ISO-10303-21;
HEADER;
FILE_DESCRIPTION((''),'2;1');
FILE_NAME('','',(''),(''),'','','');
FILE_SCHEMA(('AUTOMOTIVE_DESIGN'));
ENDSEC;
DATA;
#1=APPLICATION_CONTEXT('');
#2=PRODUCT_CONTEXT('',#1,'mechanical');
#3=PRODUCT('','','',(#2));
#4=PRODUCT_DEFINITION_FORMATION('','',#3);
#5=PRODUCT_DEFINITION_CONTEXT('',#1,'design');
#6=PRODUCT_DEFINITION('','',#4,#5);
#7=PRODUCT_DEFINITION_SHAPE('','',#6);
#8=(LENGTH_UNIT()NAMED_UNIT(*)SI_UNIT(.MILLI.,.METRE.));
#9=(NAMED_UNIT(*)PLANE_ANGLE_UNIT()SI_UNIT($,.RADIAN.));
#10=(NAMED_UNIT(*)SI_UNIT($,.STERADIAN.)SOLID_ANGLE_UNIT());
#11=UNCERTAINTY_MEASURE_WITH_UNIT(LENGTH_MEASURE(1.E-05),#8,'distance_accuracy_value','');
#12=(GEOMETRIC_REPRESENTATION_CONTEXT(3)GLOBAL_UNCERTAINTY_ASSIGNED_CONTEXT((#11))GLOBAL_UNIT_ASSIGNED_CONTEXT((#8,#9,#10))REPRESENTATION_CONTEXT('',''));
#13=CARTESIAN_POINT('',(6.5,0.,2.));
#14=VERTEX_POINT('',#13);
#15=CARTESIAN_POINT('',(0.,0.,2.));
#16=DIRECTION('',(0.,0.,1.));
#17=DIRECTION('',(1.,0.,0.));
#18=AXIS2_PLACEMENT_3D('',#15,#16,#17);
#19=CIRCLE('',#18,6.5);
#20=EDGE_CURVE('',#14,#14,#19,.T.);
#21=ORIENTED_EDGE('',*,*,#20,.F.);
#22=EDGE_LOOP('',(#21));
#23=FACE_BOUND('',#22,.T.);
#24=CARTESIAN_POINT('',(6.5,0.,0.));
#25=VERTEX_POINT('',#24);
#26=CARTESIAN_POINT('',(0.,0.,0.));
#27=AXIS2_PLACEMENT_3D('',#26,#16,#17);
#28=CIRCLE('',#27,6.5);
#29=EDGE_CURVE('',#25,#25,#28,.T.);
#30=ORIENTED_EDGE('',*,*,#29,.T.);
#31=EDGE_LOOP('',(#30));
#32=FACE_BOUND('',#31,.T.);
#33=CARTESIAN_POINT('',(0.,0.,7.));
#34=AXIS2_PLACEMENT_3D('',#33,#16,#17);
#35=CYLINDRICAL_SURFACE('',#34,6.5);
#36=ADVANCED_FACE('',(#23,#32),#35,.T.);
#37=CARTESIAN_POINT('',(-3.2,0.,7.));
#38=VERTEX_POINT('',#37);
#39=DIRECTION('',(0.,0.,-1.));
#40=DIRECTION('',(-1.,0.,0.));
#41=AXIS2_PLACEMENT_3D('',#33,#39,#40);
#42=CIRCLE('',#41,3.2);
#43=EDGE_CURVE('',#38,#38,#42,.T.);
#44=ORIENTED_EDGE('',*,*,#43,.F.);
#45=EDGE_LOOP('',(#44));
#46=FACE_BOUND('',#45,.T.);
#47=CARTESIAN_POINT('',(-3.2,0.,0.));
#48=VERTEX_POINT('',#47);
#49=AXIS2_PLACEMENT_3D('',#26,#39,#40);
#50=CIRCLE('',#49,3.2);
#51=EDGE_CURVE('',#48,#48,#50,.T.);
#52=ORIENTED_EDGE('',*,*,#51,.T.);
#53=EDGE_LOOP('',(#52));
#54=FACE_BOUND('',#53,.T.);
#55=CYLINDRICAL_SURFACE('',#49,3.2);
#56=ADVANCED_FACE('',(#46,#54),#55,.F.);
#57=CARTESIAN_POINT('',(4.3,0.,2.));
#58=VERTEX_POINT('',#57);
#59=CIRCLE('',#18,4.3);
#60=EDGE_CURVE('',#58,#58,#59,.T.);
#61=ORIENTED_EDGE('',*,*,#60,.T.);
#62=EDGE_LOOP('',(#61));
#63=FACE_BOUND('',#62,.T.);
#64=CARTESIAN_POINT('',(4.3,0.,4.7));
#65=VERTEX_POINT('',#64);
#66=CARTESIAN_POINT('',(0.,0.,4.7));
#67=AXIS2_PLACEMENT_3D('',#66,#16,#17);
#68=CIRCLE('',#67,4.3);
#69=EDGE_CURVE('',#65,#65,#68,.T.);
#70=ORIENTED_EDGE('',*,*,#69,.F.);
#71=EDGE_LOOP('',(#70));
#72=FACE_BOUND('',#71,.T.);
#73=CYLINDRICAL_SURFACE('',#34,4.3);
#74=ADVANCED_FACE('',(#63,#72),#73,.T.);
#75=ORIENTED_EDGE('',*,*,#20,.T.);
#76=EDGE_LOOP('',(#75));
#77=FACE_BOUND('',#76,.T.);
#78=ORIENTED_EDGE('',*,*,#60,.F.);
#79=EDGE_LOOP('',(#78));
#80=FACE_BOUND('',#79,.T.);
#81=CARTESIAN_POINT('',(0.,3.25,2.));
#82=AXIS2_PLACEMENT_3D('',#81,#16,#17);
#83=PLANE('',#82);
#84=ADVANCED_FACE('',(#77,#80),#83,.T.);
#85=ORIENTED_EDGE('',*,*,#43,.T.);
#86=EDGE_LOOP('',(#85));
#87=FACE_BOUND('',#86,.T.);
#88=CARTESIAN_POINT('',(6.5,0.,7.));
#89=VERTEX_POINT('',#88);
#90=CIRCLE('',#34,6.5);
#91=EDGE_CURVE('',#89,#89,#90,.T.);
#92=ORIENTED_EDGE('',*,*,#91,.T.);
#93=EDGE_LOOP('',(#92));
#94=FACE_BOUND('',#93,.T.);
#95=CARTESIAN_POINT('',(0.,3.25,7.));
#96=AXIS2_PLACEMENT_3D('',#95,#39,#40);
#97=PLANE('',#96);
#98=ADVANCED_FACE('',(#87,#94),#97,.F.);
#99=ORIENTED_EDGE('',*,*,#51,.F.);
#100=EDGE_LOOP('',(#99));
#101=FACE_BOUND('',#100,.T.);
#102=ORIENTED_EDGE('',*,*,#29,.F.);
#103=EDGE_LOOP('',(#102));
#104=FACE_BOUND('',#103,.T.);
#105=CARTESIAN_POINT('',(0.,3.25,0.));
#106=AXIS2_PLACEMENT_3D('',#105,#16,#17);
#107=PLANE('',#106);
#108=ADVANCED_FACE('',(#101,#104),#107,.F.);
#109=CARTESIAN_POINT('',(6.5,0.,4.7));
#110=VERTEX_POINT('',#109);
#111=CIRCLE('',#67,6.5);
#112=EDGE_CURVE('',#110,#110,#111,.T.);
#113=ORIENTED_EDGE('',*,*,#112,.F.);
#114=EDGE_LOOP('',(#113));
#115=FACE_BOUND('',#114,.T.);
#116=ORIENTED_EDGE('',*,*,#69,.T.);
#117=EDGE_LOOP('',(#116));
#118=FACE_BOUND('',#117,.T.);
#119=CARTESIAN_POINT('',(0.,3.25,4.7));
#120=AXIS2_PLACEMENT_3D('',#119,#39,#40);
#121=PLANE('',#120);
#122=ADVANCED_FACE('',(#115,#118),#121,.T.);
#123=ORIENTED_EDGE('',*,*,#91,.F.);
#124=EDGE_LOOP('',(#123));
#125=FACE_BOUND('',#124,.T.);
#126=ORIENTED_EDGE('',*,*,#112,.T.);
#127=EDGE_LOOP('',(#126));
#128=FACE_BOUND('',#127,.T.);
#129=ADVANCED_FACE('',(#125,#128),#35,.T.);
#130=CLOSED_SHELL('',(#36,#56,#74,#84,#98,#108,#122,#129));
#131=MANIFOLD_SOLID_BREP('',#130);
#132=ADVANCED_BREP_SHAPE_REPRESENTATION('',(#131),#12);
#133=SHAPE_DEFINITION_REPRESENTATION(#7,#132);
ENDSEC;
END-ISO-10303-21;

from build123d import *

# Parameters (mm, degrees)
FURO_COM_FOLGA_DE_M61_D = 6.4


with BuildPart() as part:
    # Esboço1 → Revolução1 (revolve)
    with BuildSketch(Plane(origin=(0, 0, 0), x_dir=(0, 0, -1), z_dir=(1, 0, 0))):
        Polygon((-0.44395252, 0), (0, 0), (0, 6.5), (-2, 6.5), (-2, 4.3), (-4.7, 4.3), (-4.7, 6.5), (-7, 6.5), (-7, 0), align=None)
    revolve(axis=Axis((0, 0, 7), (0, 0, -1)))

    # Furo com folga de M61 (through all)
    with Locations(Plane(origin=(0, 0, 0), x_dir=(-1, 0, 0), z_dir=(0, 0, -1))):
        with Locations((0, 0)):
            Hole(FURO_COM_FOLGA_DE_M61_D / 2)


solid = part.part
